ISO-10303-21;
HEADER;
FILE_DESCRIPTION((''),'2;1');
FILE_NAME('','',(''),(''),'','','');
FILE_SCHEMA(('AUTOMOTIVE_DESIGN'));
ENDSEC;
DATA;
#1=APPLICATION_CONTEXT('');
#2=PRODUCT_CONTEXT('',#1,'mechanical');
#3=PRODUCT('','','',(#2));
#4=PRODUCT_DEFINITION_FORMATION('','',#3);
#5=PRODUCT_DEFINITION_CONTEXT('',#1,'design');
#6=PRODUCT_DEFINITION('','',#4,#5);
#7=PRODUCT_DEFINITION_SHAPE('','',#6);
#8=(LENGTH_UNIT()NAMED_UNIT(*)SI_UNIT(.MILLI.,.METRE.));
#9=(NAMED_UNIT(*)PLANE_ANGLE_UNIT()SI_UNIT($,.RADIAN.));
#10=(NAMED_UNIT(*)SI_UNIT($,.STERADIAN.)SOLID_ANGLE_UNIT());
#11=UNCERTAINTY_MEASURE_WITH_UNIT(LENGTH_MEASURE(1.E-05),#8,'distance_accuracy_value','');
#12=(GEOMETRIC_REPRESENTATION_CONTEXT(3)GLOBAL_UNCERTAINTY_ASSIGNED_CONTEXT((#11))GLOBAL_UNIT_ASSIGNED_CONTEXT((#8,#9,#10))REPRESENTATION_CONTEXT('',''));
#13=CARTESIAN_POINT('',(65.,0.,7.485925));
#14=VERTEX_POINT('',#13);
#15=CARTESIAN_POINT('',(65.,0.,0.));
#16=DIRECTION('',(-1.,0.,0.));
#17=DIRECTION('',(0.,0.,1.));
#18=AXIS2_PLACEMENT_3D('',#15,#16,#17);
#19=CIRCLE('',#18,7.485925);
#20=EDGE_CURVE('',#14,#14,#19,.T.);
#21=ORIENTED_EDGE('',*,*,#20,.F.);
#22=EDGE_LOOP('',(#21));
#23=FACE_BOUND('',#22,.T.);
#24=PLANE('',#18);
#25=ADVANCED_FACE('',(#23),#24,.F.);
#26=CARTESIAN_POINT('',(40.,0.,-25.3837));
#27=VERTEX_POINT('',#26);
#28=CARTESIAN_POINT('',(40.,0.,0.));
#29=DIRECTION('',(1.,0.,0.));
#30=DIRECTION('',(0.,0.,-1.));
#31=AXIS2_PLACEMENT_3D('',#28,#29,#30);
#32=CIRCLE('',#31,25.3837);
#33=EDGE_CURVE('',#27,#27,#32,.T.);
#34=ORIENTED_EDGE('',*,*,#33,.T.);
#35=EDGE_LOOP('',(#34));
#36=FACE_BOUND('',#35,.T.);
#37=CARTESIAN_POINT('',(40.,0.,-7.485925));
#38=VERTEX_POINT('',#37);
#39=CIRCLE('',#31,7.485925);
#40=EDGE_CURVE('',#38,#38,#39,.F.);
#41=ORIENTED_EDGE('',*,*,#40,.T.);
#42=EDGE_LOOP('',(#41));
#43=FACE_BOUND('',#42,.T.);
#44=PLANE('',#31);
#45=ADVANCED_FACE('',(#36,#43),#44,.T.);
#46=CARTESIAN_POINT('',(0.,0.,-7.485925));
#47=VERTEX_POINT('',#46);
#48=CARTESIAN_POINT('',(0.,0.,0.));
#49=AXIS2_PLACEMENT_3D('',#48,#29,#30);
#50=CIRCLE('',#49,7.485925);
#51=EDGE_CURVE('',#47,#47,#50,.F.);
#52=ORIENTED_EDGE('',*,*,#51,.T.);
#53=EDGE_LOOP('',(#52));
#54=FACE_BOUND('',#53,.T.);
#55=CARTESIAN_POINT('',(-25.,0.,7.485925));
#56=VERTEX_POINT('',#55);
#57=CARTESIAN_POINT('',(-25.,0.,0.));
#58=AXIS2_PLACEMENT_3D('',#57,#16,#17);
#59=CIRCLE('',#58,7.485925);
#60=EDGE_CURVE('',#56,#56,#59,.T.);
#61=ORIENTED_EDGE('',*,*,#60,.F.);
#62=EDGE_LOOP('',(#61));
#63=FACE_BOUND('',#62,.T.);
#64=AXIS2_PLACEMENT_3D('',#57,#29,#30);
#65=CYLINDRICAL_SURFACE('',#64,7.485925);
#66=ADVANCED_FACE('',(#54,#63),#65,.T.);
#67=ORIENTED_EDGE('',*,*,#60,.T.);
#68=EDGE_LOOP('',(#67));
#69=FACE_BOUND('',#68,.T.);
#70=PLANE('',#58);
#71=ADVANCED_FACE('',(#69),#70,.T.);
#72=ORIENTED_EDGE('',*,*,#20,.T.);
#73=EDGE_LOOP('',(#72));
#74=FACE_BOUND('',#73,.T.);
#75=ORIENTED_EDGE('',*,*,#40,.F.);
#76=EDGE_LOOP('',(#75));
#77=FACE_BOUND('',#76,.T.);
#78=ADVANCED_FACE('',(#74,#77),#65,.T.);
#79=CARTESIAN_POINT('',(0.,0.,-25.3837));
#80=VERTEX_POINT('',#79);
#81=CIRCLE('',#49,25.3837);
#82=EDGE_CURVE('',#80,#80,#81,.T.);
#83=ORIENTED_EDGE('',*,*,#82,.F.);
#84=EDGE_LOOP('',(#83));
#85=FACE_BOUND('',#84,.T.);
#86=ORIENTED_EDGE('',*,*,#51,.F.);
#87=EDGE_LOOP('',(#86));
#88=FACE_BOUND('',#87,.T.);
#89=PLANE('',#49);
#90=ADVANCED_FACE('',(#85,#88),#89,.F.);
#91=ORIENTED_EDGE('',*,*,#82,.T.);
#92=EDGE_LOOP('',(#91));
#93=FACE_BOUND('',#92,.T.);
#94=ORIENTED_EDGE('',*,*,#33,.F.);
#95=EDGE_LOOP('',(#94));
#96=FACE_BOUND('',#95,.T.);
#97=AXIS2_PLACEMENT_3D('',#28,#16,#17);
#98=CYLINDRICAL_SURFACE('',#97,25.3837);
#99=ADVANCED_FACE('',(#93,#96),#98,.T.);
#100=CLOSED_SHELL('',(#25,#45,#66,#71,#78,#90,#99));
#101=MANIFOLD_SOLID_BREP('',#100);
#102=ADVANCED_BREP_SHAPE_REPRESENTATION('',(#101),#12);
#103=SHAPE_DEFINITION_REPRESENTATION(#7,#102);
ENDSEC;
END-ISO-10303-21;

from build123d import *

# Parameters (mm, degrees)
SKETCH1_R                = 25.3837
BOSS_EXTRUDE1_DEPTH      = 40
SKETCH2_R                = 7.485924983
BOSS_EXTRUDE2_DEPTH      = 25
BOSS_EXTRUDE2_DEPTH_BACK = 65


with BuildPart() as part:
    # Sketch1 → Boss-Extrude1 (new body)
    with BuildSketch(Plane(origin=(0, 0, 0), x_dir=(0, 0, -1), z_dir=(1, 0, 0))):
        Circle(SKETCH1_R)
    extrude(amount=BOSS_EXTRUDE1_DEPTH)

    # Sketch2 → Boss-Extrude2 (add, two sides)
    with BuildSketch(Plane.ZY) as boss_extrude2_sk:
        Circle(SKETCH2_R)
    extrude(amount=BOSS_EXTRUDE2_DEPTH)
    extrude(boss_extrude2_sk.sketch, amount=-BOSS_EXTRUDE2_DEPTH_BACK)


solid = part.part
